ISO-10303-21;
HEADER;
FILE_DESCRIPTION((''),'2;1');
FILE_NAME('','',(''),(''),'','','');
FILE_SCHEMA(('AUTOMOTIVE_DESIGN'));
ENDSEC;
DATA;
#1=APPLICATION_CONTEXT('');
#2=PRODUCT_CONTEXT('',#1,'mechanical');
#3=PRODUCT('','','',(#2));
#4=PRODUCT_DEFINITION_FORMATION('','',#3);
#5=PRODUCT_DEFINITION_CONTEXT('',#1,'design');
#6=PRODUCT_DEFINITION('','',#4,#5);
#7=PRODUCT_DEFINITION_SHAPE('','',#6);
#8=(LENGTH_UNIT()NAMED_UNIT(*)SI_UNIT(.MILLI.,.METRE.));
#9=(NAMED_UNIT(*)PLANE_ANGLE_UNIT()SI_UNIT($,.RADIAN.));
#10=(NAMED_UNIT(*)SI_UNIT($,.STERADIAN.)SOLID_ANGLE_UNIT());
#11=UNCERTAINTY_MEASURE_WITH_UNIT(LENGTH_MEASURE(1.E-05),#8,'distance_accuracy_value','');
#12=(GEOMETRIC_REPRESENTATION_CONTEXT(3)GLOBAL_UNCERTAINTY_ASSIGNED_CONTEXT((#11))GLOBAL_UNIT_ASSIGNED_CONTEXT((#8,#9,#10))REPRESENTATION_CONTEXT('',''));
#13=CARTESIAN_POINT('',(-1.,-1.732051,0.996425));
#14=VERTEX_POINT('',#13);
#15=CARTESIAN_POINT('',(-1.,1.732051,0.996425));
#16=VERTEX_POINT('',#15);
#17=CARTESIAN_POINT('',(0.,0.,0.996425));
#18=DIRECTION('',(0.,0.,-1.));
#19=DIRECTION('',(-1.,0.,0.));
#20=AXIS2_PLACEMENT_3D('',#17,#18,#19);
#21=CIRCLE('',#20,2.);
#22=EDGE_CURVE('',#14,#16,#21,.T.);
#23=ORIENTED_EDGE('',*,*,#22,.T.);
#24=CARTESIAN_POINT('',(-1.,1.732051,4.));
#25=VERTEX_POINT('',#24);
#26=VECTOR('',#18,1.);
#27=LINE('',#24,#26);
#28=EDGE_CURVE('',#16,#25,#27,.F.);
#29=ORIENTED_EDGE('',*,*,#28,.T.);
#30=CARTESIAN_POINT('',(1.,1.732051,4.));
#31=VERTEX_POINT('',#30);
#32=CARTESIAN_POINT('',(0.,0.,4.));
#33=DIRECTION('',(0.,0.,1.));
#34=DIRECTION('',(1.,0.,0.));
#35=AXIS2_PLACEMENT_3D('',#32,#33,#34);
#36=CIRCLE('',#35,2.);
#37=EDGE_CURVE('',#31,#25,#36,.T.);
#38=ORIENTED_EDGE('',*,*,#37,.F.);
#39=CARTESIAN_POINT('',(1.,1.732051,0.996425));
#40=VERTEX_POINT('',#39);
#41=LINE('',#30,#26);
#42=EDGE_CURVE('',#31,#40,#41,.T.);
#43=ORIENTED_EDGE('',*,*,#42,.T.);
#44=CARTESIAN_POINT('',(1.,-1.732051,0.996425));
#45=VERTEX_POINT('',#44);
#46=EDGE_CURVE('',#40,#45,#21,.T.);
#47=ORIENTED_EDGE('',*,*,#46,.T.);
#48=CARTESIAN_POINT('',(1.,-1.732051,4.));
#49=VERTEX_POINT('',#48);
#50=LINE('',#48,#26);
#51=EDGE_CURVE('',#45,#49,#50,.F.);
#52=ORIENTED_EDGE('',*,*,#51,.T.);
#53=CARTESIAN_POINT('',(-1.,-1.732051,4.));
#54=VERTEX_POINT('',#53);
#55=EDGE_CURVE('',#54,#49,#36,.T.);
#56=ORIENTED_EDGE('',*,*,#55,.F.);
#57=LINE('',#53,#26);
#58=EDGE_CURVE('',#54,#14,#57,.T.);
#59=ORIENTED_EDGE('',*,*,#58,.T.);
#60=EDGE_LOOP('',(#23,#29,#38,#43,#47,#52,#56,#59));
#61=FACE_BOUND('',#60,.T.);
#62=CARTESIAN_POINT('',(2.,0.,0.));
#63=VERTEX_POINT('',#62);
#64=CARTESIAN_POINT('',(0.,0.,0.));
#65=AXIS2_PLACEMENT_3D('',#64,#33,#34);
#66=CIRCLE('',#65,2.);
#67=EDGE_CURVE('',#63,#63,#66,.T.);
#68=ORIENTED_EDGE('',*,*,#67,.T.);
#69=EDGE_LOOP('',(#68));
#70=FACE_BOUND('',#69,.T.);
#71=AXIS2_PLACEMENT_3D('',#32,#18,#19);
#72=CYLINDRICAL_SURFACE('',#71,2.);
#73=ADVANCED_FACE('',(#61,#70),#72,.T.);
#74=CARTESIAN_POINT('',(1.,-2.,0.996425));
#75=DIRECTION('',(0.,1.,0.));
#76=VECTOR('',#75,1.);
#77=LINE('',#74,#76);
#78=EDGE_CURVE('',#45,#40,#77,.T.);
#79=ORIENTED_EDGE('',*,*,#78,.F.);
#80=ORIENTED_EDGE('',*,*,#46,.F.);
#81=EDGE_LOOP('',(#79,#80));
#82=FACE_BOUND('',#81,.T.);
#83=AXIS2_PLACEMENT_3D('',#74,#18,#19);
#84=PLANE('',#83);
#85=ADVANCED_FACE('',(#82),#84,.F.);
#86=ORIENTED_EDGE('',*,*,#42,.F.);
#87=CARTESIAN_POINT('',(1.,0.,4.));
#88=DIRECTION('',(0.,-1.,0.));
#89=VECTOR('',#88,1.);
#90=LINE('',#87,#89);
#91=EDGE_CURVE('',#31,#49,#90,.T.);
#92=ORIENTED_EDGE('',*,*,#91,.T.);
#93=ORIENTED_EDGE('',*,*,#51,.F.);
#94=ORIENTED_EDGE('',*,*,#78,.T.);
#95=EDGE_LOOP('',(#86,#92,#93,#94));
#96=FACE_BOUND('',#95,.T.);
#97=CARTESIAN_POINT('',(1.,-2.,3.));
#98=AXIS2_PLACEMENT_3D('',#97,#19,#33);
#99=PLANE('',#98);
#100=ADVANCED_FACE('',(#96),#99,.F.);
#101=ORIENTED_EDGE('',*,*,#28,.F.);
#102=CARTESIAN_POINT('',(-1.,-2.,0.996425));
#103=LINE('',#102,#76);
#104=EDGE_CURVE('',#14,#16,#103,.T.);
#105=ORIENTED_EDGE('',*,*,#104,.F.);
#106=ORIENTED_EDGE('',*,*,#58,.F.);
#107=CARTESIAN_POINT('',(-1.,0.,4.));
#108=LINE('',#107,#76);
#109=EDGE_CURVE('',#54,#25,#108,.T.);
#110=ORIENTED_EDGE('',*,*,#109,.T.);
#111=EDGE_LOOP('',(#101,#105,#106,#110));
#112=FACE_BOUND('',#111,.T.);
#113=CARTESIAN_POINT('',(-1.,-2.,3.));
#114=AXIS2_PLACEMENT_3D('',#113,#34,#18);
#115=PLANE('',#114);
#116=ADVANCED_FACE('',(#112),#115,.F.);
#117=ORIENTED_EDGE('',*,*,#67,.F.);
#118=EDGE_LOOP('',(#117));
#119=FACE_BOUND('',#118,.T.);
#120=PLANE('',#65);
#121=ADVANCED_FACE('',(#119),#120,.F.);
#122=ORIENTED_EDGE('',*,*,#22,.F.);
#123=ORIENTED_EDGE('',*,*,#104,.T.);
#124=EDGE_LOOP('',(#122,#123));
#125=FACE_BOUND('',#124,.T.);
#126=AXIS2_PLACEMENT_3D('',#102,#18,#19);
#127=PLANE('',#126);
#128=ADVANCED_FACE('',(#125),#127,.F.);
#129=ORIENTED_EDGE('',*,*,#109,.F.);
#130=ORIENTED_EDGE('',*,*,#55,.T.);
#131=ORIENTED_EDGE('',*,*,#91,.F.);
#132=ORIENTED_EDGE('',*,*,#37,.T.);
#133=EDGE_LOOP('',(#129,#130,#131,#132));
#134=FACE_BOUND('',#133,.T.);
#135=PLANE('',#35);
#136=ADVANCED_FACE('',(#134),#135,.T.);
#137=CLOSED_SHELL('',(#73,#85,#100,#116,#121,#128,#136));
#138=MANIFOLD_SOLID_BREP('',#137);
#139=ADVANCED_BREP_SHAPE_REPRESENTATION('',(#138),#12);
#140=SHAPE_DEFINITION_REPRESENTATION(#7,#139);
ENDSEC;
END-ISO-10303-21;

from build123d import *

# Parameters (mm, degrees)
SKETCH1_R           = 2
BOSS_EXTRUDE1_DEPTH = 4
CUT_EXTRUDE2_DEPTH  = 2


with BuildPart() as part:
    # Sketch1 → Boss-Extrude1 (new body)
    with BuildSketch(Plane.XY):
        Circle(SKETCH1_R)
    extrude(amount=BOSS_EXTRUDE1_DEPTH)

    # Sketch2 → Cut-Extrude2 (cut, symmetric)
    with BuildSketch(Plane(origin=(0, 0, 0), x_dir=(1, 0, 0), z_dir=(0, 1, 0))):
        Polygon((-1, -5), (1, -5), (2, -5), (2, -0.996424707), (1, -0.996424707), (1, -3), (1, -4), (-1, -4), (-1, -3), (-1, -0.996424707), (-2, -0.996424707), (-2, -5), align=None)
    extrude(amount=CUT_EXTRUDE2_DEPTH, both=True, mode=Mode.SUBTRACT)


solid = part.part
